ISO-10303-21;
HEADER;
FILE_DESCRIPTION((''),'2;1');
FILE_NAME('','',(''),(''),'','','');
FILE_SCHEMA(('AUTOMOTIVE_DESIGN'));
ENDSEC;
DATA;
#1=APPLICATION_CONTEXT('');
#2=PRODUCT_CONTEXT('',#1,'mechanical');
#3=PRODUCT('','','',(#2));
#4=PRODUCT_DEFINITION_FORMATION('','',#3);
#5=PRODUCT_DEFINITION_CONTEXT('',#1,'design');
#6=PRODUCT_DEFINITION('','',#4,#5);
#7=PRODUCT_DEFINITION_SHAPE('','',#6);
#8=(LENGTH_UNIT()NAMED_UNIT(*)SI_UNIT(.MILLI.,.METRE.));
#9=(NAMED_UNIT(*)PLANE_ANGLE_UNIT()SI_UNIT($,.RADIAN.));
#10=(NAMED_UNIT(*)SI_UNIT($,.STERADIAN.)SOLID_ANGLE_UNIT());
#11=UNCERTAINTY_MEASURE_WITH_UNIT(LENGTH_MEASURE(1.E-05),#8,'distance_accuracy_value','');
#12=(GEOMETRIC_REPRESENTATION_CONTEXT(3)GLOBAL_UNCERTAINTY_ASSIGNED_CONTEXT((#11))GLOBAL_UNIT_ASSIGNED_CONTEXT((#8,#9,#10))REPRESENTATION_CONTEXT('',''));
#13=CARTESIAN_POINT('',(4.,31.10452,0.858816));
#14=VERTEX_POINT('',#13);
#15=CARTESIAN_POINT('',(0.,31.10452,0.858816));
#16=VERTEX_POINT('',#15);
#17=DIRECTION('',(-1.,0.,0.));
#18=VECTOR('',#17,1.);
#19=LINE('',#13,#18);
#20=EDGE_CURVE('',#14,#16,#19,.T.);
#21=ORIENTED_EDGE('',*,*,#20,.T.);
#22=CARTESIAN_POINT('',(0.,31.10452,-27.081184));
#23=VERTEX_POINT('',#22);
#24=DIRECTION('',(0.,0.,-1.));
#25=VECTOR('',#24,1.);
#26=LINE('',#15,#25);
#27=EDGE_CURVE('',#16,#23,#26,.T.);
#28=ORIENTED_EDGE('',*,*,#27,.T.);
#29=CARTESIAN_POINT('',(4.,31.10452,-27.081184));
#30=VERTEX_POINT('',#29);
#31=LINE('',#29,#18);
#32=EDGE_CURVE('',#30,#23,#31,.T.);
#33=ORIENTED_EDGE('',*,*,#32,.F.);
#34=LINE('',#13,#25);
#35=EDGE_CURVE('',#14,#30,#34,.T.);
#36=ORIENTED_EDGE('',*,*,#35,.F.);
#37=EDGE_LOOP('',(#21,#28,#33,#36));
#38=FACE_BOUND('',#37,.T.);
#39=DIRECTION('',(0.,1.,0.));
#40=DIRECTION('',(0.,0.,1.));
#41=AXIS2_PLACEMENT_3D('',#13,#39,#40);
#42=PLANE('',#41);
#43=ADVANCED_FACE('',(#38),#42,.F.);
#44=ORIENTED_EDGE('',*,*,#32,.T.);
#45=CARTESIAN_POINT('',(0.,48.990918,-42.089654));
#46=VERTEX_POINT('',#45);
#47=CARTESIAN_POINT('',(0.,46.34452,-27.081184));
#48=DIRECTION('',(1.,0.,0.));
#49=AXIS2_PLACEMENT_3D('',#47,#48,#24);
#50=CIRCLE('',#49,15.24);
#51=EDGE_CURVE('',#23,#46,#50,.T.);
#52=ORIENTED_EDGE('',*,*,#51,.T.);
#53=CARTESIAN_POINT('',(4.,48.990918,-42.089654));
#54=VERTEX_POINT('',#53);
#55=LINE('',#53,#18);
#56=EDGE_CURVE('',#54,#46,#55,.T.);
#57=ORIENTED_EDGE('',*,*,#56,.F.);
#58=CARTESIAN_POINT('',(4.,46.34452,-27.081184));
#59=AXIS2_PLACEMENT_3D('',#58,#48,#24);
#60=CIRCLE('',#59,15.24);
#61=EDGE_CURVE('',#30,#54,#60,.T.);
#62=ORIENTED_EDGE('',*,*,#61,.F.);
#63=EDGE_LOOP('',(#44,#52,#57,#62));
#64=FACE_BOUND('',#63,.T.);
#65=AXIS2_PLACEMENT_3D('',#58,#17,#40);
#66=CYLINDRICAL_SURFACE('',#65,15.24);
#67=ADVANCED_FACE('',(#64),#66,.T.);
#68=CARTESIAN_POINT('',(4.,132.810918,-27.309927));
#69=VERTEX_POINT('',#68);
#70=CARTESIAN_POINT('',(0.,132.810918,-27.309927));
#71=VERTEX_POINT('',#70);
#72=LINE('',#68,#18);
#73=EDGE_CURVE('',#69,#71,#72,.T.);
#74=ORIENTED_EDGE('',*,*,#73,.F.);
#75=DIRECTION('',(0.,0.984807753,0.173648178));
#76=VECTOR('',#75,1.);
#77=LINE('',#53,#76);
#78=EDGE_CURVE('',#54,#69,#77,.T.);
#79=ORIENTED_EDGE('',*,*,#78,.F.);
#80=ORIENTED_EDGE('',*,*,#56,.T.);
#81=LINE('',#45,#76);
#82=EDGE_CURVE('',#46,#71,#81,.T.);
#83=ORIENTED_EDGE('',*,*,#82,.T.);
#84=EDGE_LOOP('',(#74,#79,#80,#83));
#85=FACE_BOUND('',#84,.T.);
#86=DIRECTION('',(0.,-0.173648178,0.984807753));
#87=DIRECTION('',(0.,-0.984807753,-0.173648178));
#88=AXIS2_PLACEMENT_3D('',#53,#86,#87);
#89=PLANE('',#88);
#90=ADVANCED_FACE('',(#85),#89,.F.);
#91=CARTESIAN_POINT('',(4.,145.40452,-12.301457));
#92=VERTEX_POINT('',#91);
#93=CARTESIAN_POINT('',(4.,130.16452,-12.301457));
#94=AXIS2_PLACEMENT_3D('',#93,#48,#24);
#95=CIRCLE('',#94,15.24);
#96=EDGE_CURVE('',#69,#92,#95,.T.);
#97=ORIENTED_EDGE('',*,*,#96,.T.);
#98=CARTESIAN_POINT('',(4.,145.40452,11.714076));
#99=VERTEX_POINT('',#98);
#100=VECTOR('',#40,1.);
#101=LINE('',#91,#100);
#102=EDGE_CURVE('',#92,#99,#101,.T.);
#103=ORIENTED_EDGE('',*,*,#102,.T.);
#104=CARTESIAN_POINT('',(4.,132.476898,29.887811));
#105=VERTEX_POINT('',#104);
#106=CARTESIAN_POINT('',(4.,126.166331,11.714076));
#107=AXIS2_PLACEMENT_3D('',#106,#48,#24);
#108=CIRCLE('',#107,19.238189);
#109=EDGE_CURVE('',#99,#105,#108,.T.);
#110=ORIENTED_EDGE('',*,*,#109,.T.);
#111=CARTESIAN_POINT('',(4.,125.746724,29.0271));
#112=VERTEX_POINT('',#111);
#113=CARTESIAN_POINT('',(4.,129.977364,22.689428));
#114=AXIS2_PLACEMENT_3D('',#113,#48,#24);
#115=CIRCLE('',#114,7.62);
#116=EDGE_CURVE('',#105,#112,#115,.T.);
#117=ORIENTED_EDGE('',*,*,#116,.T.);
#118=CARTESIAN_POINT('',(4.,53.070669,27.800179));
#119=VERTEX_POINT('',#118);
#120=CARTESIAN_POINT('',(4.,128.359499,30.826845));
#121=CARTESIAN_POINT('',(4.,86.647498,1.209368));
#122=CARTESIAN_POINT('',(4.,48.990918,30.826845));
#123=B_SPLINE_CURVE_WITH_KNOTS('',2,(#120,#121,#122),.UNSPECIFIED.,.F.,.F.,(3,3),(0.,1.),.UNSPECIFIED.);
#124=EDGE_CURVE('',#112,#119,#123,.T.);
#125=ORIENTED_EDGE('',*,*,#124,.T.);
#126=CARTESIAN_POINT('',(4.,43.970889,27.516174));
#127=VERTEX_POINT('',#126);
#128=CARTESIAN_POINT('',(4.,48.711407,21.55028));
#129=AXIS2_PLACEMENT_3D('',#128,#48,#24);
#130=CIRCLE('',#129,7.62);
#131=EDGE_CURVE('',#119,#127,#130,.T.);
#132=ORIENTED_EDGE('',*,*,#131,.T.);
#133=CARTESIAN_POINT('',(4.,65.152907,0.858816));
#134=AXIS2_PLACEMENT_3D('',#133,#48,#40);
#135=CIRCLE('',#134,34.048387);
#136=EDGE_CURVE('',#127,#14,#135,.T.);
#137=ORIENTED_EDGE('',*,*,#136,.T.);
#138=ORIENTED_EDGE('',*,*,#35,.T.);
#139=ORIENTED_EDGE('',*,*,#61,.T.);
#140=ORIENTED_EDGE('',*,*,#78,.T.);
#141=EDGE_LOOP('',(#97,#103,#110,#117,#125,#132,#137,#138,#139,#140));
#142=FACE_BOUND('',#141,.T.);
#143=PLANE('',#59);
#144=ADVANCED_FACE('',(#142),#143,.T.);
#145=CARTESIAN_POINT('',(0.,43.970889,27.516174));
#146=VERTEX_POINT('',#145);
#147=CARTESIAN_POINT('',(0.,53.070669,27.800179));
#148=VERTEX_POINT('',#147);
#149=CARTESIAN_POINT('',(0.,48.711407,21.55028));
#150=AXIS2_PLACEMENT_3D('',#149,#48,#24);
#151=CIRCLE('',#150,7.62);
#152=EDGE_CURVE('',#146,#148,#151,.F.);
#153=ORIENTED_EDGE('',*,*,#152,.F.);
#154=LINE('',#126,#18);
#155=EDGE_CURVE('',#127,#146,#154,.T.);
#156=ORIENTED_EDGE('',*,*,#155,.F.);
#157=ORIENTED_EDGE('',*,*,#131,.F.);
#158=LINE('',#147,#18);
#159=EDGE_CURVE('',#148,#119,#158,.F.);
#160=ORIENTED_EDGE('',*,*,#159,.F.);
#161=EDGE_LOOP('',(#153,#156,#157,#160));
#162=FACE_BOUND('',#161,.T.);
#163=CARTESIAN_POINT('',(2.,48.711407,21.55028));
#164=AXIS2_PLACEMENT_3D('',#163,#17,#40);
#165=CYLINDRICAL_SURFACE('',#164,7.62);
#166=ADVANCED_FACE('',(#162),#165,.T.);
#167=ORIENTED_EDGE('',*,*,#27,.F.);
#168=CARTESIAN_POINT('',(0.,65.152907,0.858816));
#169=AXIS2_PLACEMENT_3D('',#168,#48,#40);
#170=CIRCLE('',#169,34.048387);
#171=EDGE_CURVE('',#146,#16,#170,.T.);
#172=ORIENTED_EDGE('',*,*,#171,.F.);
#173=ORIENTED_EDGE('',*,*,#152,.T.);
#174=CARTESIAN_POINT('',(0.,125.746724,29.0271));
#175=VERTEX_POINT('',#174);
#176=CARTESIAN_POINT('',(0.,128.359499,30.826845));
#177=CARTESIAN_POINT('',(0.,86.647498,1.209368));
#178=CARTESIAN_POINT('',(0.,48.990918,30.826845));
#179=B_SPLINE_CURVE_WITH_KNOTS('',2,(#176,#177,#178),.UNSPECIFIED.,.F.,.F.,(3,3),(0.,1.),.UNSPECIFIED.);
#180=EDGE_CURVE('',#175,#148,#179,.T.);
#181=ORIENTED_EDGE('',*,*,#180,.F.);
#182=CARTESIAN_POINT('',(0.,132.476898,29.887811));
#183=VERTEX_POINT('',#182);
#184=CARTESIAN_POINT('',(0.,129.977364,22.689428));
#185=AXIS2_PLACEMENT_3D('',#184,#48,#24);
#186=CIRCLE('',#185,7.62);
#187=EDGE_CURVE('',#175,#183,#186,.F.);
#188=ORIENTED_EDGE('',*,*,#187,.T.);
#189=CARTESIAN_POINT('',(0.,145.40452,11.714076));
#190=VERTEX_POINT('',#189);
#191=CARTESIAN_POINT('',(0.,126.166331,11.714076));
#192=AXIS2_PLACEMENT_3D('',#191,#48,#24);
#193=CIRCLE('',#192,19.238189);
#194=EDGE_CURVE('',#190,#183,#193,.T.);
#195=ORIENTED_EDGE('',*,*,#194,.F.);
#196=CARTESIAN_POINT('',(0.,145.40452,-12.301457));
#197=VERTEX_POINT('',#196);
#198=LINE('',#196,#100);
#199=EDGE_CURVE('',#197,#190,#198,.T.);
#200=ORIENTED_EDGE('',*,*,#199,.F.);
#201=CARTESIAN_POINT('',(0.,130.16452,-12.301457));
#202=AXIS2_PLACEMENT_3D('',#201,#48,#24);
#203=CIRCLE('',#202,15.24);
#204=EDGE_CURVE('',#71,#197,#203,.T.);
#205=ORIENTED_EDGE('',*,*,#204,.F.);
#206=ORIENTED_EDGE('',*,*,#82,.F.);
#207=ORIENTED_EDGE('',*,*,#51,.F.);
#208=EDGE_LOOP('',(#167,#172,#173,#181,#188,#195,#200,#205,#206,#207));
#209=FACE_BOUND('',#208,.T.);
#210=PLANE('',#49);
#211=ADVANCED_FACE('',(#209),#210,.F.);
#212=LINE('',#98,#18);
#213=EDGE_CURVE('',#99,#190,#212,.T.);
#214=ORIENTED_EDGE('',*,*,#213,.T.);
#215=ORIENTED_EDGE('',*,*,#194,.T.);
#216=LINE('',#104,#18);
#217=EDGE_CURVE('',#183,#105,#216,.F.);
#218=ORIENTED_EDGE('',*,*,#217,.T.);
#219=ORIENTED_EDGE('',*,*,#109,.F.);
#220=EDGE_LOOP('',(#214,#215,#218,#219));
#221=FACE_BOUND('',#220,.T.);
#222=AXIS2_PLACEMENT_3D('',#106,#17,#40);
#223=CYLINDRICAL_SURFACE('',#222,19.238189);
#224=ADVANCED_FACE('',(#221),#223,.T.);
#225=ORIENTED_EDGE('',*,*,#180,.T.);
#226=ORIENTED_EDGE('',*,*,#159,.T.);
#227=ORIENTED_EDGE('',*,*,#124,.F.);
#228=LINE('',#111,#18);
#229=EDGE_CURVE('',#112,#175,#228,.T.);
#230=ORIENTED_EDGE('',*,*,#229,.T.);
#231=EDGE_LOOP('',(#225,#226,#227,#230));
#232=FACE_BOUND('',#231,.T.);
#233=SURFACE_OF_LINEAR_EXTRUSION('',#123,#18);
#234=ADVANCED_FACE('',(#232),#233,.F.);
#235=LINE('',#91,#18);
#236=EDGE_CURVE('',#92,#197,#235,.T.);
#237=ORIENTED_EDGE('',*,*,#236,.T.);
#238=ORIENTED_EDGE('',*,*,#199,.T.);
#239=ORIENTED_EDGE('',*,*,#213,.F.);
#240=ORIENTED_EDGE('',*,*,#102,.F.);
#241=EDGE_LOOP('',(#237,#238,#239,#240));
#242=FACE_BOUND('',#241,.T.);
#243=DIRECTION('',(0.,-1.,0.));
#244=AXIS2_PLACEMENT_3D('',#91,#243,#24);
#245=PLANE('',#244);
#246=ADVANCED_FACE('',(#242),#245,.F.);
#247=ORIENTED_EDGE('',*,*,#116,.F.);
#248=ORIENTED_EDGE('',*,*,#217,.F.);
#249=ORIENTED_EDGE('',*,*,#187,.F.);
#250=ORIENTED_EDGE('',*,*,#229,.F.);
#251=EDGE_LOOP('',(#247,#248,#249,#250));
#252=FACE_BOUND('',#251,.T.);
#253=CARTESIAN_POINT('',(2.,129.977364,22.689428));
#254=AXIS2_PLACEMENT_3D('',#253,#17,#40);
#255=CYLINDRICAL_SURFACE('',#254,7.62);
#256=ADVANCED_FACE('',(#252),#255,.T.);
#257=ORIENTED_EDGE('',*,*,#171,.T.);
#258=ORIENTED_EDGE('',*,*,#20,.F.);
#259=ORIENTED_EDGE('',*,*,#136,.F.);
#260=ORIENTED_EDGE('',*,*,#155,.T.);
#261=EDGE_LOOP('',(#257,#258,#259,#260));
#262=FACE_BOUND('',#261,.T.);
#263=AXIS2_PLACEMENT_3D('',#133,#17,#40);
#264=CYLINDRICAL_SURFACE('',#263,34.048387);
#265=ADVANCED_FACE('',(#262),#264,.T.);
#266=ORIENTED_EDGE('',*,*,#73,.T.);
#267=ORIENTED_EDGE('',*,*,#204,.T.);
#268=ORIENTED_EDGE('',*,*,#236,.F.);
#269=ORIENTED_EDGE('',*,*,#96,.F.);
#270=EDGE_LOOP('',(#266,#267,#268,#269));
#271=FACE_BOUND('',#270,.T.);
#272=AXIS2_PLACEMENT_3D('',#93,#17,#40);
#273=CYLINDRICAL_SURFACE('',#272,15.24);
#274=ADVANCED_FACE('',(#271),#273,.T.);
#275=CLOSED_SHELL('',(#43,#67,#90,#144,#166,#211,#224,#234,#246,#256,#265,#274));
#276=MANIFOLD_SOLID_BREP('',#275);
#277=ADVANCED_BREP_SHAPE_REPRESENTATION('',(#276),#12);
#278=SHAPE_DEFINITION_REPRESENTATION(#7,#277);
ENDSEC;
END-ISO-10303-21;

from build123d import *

# Parameters (mm, degrees)
BOSS_EXTRUDE1_DEPTH = 4
FILLET1_R           = 7.62
FILLET2_R           = 7.62


with BuildPart() as part:
    # Sketch1 → Boss-Extrude1 (new body)
    with BuildSketch(Plane(origin=(0, 0, 0), x_dir=(0, 0, -1), z_dir=(1, 0, 0))):
        with BuildLine():
            Line((-0.858815867, 31.104520152), (27.081184133, 31.104520152))
            ThreePointArc((27.081184133, 31.104520152), (38.755701446, 36.548436981), (42.089654289, 48.99091838))
            Line((42.089654289, 48.99091838), (27.309926766, 132.81091838))
            ThreePointArc((27.309926766, 132.81091838), (22.097539782, 141.839037466), (12.30145661, 145.404520152))
            Line((12.30145661, 145.404520152), (-11.714075954, 145.404520152))
            ThreePointArc((-11.714075954, 145.404520152), (-24.518671733, 140.524264284), (-30.82684486, 128.359498679))
            add(Edge.make_bspline(
                [(-30.82684486, 128.359498679), (-1.209368429, 86.647497598), (-30.82684486, 48.99091838)],
                knots=[0, 0, 0, 1, 1, 1], degree=2))
            ThreePointArc((-30.82684486, 48.99091838), (-18.308787237, 35.916095552), (-0.858815867, 31.104520152))
        make_face()
    extrude(amount=BOSS_EXTRUDE1_DEPTH)

    # Fillet1
    fillet1_edges = [part.edges().sort_by_distance(p)[0] for p in [
        (2, 128.359498679, 30.82684486),
    ]]
    fillet(fillet1_edges, radius=FILLET1_R)

    # Fillet2
    fillet2_edges = [part.edges().sort_by_distance(p)[0] for p in [
        (2, 48.99091838, 30.82684486),
    ]]
    fillet(fillet2_edges, radius=FILLET2_R)


solid = part.part
